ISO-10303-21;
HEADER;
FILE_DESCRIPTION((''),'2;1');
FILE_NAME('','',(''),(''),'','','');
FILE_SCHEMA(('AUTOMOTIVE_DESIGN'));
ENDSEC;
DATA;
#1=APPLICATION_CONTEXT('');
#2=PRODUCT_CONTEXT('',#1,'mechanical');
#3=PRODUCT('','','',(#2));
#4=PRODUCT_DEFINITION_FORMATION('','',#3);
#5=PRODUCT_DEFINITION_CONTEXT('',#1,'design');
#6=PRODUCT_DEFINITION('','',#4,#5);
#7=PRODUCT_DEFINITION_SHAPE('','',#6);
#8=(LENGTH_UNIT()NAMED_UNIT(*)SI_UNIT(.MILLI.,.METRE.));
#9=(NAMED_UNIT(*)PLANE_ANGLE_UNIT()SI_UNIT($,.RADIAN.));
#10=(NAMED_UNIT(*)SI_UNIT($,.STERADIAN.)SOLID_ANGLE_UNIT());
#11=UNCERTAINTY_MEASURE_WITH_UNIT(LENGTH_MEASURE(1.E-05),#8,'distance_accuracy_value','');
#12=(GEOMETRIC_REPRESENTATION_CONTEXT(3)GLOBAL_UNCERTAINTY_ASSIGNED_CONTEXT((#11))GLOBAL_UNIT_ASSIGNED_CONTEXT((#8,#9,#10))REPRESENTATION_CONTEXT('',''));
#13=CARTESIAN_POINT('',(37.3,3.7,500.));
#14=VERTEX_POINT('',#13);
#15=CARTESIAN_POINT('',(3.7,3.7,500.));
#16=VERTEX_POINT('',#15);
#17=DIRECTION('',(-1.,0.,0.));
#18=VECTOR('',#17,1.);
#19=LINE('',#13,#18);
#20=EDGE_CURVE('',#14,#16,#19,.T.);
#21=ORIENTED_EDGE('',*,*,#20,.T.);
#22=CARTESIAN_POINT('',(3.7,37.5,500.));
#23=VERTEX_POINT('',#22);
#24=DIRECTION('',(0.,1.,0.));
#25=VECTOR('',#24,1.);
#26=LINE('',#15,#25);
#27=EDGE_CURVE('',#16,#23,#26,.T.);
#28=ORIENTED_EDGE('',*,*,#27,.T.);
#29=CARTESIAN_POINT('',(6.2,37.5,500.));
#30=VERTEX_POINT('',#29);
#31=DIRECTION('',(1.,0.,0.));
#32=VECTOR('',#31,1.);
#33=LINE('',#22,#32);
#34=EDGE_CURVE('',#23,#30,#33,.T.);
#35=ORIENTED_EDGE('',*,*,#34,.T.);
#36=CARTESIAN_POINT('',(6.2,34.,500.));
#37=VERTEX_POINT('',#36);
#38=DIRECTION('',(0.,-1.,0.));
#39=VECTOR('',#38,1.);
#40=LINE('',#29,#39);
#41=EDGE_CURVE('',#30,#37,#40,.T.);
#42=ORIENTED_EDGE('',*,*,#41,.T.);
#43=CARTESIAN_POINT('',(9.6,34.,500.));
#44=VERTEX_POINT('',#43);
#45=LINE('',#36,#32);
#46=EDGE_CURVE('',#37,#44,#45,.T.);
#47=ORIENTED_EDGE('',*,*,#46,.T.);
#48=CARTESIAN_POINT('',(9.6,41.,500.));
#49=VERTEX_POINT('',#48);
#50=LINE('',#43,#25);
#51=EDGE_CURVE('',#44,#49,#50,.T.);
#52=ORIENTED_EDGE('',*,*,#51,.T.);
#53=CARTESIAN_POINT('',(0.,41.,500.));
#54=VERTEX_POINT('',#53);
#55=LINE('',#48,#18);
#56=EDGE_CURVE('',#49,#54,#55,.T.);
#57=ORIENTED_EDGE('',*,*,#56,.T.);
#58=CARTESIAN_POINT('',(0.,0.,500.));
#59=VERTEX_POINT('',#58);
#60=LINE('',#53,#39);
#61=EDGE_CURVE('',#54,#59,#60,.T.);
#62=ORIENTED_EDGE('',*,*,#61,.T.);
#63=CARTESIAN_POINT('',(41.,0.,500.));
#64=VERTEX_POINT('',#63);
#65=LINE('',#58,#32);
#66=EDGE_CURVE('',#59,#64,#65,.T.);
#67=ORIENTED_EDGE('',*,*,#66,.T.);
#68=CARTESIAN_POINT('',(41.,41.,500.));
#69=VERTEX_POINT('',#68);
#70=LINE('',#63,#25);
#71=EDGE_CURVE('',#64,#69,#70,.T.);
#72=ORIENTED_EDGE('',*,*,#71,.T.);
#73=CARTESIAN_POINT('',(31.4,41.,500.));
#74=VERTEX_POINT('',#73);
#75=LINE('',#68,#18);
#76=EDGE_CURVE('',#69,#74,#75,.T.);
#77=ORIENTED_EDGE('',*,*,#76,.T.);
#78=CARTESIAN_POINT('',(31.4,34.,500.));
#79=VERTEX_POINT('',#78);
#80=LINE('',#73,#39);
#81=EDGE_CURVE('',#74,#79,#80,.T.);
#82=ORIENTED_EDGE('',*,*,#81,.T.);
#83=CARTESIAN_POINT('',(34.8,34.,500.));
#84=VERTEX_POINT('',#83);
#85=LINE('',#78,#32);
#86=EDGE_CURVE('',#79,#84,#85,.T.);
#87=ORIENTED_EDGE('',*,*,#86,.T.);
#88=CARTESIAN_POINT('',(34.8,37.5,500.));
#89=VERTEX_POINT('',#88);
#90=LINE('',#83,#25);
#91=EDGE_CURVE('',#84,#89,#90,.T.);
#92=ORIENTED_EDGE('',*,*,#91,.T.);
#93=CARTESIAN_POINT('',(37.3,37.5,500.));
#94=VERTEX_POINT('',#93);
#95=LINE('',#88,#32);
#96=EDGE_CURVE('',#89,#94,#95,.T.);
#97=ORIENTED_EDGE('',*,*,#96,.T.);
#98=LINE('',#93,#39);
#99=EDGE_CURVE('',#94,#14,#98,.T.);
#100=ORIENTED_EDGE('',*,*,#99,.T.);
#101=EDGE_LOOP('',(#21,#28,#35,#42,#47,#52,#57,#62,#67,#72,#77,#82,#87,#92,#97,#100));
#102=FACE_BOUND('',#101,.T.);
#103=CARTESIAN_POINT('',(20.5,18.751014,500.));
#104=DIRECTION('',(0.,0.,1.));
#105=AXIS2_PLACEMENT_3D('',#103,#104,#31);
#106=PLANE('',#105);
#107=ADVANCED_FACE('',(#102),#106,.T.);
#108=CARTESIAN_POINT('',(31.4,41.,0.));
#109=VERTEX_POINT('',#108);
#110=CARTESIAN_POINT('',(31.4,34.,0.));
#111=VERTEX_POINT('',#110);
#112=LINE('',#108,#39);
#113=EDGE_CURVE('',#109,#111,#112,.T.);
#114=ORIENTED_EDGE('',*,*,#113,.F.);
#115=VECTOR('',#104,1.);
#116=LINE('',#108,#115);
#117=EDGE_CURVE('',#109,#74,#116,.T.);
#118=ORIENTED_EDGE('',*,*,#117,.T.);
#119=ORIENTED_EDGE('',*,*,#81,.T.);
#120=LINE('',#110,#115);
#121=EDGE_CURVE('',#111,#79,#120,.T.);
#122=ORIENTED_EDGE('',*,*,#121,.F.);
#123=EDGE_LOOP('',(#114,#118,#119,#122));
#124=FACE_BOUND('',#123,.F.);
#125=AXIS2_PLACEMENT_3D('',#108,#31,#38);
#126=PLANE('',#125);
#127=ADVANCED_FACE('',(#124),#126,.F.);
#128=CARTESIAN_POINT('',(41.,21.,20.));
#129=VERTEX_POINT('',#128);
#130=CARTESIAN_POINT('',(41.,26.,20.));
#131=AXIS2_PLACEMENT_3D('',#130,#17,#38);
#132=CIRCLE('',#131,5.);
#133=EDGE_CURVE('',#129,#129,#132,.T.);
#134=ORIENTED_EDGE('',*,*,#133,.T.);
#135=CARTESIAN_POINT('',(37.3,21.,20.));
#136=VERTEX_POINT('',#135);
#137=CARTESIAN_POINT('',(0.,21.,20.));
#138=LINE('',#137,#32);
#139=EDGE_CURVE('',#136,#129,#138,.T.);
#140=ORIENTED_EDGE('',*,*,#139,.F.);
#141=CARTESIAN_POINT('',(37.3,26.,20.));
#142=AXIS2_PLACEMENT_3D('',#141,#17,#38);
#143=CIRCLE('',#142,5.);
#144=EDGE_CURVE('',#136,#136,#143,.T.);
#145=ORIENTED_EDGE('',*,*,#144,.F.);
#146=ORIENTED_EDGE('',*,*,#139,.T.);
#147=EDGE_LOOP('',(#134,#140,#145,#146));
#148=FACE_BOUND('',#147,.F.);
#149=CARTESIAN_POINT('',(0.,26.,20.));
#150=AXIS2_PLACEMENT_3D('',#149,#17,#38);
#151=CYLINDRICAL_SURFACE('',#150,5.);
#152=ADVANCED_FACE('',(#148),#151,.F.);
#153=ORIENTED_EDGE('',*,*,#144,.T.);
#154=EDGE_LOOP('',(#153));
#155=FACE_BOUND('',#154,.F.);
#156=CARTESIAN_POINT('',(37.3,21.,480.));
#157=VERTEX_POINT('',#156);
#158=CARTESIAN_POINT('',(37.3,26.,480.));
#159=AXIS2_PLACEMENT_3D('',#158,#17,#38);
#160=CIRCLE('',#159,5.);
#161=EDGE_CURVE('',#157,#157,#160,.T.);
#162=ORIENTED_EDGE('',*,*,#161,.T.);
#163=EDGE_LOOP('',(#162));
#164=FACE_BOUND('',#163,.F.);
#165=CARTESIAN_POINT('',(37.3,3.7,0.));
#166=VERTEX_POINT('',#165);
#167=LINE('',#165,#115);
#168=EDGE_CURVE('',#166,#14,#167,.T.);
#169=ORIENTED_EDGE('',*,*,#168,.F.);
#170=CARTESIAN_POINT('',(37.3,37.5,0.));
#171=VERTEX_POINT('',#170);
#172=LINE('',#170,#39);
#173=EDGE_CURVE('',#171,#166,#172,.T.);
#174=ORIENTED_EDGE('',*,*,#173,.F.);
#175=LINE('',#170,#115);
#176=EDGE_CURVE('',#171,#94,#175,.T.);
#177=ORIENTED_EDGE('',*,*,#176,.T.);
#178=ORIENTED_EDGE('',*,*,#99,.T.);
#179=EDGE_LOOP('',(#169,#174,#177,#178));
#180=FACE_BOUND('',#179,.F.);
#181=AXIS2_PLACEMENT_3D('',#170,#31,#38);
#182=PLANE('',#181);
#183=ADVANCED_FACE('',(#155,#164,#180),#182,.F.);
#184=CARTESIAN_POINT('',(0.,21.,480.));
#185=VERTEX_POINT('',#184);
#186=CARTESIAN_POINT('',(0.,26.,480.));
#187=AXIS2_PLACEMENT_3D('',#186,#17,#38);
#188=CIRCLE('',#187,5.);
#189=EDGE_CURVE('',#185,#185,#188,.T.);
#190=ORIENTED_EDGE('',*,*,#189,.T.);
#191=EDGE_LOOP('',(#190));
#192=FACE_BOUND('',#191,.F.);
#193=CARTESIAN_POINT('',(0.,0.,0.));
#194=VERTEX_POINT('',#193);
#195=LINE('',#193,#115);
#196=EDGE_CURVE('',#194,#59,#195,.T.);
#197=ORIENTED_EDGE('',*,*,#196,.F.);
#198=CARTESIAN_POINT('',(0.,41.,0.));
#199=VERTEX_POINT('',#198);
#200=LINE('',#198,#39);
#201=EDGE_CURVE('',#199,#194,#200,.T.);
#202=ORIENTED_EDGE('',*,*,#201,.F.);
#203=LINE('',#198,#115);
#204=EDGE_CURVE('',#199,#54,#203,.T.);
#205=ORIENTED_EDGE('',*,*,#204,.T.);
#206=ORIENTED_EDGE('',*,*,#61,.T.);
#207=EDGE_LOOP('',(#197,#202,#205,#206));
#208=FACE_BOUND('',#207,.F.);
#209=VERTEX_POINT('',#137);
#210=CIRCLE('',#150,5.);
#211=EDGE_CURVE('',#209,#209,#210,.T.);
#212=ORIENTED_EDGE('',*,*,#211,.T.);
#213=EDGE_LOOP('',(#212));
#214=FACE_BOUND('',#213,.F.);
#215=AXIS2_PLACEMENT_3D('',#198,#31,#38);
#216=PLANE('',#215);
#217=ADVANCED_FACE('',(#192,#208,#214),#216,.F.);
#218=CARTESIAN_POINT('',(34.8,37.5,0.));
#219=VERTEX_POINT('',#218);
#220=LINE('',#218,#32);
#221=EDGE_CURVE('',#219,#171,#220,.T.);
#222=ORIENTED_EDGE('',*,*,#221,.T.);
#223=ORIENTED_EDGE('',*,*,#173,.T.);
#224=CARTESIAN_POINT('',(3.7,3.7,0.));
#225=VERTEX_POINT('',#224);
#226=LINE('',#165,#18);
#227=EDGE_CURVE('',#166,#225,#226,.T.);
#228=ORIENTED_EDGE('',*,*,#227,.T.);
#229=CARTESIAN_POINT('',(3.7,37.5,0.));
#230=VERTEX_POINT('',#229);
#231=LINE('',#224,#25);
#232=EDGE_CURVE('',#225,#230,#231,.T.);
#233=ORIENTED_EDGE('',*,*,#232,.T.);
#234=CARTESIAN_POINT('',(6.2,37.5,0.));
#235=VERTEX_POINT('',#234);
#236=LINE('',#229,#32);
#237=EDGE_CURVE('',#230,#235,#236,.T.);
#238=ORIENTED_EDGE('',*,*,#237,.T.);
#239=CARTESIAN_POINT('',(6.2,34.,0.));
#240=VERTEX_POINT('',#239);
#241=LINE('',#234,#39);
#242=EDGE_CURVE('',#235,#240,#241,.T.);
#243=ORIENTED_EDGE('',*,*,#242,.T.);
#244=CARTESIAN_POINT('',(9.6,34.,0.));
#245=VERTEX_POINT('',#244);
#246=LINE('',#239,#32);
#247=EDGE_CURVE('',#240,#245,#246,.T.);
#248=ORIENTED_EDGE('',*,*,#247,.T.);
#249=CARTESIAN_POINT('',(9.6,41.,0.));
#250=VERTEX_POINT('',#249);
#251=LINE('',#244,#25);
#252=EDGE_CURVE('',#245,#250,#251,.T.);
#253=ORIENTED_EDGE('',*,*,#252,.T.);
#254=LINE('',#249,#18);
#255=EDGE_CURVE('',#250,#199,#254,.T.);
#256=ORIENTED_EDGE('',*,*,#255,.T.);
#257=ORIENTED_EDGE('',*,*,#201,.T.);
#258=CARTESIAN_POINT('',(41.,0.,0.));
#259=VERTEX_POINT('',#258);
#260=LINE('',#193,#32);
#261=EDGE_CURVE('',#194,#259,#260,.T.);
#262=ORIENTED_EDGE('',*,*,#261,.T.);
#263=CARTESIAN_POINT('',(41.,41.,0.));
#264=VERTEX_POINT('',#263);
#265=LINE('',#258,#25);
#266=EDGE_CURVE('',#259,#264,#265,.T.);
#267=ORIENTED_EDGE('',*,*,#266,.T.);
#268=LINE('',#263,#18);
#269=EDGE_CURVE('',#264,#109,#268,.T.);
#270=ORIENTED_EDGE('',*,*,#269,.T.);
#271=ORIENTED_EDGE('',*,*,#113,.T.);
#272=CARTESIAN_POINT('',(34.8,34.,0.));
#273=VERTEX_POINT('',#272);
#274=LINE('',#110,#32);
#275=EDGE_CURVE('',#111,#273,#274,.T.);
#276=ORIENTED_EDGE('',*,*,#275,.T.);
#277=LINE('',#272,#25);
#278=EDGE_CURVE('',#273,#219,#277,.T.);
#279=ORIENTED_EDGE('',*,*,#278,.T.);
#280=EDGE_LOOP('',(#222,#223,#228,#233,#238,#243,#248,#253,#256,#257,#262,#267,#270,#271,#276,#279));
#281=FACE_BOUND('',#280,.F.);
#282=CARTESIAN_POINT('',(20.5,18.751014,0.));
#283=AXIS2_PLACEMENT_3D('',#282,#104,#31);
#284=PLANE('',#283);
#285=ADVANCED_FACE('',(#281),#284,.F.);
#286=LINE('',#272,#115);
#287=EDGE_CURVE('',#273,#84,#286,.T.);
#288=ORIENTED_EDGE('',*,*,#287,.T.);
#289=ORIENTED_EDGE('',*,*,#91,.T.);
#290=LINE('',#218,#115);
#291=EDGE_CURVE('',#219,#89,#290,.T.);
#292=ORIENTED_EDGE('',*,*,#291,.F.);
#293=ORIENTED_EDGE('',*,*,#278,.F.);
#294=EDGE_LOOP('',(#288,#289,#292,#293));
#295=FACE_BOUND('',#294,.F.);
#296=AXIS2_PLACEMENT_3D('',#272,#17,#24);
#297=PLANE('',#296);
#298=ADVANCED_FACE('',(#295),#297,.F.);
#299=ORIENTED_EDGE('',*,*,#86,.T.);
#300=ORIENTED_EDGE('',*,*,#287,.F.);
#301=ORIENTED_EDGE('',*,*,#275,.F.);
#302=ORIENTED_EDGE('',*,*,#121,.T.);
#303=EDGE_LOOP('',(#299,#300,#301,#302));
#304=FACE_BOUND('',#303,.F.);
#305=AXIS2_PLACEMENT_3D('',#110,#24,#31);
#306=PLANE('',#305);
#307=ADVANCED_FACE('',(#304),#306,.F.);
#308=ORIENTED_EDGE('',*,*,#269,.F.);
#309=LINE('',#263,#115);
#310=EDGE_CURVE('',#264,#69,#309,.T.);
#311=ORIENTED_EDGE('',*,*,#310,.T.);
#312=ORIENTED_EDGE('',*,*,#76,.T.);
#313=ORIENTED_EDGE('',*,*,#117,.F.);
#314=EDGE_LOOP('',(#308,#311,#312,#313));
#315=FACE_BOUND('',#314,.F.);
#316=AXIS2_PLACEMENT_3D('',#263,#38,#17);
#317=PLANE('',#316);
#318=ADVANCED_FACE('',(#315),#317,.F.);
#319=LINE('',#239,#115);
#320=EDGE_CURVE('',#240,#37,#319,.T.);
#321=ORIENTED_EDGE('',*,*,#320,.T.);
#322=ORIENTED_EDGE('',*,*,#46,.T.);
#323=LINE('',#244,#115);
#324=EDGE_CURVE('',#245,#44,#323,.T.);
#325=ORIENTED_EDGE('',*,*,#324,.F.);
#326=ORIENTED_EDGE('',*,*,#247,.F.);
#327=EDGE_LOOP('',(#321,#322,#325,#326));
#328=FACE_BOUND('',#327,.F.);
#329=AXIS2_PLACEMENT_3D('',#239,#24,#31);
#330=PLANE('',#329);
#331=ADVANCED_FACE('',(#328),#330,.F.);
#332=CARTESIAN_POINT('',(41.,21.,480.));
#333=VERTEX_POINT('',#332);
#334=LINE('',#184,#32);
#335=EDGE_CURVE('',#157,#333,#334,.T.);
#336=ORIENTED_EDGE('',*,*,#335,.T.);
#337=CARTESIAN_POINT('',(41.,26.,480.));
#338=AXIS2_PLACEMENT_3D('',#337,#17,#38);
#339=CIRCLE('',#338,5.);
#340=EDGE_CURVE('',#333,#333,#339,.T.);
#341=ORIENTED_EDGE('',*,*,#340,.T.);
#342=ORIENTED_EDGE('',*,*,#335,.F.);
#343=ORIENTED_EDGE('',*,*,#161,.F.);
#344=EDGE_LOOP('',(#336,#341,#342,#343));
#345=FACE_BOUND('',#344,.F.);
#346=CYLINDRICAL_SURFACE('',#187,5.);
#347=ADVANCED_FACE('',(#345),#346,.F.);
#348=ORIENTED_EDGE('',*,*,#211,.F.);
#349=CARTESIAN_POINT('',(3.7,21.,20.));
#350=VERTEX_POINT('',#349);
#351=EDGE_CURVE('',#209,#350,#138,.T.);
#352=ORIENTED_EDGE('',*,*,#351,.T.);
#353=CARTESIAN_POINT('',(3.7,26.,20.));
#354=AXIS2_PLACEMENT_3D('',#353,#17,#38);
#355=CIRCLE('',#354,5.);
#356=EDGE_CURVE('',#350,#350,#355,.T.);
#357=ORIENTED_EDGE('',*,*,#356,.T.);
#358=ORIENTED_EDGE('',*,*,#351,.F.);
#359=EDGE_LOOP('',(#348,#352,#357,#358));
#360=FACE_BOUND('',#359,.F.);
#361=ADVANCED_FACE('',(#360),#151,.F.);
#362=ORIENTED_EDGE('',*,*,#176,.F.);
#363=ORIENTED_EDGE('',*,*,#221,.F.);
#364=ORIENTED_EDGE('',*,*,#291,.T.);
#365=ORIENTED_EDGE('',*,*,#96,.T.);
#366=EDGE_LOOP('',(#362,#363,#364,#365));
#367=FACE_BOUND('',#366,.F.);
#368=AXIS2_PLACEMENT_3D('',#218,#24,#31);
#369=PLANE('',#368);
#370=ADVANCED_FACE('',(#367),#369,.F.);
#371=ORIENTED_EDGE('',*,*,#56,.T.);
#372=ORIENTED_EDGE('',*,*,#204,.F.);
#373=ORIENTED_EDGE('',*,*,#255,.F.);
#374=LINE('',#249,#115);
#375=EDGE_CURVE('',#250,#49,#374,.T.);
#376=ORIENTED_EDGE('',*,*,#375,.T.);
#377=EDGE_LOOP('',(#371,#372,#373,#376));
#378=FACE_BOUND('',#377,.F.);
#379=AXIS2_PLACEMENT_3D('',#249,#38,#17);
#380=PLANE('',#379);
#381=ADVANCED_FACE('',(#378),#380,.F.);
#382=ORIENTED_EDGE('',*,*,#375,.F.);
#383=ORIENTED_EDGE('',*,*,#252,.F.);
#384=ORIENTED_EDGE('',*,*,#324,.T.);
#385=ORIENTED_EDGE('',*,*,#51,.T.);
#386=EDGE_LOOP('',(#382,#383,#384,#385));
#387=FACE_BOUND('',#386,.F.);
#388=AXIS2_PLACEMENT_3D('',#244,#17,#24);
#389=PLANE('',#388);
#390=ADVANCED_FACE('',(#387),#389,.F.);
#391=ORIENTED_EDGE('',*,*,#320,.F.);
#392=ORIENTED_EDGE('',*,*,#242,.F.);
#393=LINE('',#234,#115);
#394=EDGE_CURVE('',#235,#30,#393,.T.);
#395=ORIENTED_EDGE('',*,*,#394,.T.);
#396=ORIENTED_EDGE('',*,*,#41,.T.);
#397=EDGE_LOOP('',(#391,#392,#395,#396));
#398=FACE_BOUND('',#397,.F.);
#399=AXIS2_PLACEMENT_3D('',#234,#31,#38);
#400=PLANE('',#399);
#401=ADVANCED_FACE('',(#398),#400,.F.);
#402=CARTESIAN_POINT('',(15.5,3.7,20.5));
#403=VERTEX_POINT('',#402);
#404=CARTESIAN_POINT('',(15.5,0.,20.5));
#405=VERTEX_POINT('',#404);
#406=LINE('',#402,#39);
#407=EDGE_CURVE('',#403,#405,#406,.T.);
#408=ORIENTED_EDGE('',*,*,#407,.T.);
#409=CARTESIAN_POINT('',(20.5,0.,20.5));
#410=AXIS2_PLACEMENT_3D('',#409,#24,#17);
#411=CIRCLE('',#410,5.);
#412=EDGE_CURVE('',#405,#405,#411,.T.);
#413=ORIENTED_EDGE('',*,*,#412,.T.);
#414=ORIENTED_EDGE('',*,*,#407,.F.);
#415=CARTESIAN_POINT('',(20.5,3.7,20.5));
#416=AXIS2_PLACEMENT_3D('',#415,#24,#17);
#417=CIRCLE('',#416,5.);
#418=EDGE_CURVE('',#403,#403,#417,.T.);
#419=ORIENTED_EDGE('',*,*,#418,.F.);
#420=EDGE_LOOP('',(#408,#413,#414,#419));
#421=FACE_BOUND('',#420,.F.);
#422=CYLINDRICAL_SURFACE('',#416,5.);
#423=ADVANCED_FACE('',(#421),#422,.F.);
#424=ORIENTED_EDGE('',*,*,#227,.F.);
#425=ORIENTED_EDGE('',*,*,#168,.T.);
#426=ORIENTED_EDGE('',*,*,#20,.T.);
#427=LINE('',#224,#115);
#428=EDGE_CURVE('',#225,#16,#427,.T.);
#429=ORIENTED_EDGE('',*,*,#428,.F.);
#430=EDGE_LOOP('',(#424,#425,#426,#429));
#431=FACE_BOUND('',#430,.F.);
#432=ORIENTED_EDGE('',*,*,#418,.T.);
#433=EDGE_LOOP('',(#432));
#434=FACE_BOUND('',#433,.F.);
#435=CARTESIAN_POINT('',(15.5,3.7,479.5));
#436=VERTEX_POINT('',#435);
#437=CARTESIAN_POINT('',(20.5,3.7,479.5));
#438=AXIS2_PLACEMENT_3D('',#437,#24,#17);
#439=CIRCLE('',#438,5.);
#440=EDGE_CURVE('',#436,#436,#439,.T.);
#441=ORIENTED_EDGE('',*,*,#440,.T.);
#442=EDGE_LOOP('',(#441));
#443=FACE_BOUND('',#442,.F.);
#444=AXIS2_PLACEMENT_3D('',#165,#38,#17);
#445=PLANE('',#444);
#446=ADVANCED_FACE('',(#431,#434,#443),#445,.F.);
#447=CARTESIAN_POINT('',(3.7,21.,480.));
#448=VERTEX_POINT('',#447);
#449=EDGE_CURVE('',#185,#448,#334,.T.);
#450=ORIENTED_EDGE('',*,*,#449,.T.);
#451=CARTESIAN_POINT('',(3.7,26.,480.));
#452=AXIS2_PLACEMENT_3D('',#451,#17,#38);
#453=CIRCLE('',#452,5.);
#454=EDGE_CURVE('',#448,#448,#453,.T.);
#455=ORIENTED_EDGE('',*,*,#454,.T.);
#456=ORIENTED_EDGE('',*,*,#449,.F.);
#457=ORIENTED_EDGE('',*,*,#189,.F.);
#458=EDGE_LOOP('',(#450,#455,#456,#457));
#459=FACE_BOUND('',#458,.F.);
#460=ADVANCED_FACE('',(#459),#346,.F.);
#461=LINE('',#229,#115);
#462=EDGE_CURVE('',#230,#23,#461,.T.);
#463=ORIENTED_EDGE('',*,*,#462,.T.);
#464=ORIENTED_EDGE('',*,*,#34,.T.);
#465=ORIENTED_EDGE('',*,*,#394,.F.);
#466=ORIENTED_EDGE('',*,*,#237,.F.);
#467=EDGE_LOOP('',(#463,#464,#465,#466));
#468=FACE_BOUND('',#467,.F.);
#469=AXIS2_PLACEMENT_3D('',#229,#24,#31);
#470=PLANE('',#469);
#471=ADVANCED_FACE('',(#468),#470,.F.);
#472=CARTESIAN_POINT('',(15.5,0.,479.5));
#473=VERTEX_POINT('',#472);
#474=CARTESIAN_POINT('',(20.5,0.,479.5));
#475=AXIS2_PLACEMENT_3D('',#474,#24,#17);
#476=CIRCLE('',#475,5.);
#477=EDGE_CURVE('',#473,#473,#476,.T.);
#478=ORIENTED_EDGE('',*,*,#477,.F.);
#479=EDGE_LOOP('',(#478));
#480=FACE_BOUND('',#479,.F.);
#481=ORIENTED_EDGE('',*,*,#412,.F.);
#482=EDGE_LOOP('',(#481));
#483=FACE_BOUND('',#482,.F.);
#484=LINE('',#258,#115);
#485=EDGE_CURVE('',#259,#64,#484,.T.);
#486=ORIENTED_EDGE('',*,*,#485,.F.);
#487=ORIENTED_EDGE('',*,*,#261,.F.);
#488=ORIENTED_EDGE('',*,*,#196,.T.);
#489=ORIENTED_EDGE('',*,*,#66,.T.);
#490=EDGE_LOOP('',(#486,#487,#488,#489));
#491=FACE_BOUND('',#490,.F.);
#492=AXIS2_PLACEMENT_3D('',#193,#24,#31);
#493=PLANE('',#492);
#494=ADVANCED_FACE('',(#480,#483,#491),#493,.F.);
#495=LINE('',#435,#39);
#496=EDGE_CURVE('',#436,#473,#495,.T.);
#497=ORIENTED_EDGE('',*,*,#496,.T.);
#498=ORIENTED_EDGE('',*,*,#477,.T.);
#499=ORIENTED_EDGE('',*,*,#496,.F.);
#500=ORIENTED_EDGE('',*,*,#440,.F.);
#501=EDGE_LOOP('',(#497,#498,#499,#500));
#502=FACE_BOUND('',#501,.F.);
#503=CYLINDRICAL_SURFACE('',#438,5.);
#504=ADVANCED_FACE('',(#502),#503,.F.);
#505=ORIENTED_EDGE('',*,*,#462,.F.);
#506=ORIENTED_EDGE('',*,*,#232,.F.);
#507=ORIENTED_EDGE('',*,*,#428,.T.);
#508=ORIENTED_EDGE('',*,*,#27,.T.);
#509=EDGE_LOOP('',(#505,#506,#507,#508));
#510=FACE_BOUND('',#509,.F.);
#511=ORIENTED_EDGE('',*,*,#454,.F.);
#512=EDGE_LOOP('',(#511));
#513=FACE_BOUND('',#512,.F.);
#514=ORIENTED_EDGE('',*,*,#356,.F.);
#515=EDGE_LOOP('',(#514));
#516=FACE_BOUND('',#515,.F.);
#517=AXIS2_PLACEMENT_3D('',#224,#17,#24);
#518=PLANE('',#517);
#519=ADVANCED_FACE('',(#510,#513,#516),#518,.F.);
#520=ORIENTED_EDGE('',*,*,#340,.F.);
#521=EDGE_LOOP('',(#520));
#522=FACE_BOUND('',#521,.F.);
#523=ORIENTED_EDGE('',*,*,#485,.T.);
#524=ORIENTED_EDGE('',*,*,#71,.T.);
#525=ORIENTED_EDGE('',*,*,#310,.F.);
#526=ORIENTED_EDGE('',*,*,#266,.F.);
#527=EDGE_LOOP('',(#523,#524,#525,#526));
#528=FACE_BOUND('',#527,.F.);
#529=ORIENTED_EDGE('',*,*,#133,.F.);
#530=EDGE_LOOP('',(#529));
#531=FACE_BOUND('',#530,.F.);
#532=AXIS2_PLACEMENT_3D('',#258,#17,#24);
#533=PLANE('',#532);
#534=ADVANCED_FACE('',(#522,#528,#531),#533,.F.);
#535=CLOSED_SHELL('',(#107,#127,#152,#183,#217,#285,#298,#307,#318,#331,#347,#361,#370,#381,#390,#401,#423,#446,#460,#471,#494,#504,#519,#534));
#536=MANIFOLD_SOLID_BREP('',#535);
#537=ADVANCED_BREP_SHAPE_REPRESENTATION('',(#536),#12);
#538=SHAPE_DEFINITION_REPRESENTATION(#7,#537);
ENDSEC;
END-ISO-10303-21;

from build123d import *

# Parameters (mm, degrees)
F1_DEPTH = 500
F2_R     = 5
F3_DEPTH = 3.7
F4_R     = 5
F5_DEPTH = 41.001


with BuildPart() as f1:
    # F0 (on Top) → F1 (new body)
    with BuildSketch(Plane.XY):
        Polygon((0, 41), (0, 0), (41, 0), (41, 41), (31.4, 41), (31.4, 34), (34.8, 34), (34.8, 37.5), (37.3, 37.5), (37.3, 3.7), (3.7, 3.7), (3.7, 37.5), (6.2, 37.5), (6.2, 34), (9.6, 34), (9.6, 41), align=None)
    extrude(amount=F1_DEPTH)

    # F2 (on face) → F3 (cut, through all)
    with BuildSketch(Plane(origin=(0, 3.7, 0), x_dir=(-1, 0, 0), z_dir=(0, 1, 0))):
        with Locations((-20.5, 479.5)):
            Circle(F2_R)
        with Locations((-20.5, 20.5)):
            Circle(F2_R)
    extrude(amount=-F3_DEPTH, mode=Mode.SUBTRACT)

    # F4 (on face) → F5 (cut, through all)
    with BuildSketch(Plane(origin=(0, 0, 0), x_dir=(0, -1, 0), z_dir=(-1, 0, 0))):
        with Locations((-26, 20)):
            Circle(F4_R)
        with Locations((-26, 480)):
            Circle(F4_R)
    extrude(amount=-F5_DEPTH, mode=Mode.SUBTRACT)


solid = f1.part
